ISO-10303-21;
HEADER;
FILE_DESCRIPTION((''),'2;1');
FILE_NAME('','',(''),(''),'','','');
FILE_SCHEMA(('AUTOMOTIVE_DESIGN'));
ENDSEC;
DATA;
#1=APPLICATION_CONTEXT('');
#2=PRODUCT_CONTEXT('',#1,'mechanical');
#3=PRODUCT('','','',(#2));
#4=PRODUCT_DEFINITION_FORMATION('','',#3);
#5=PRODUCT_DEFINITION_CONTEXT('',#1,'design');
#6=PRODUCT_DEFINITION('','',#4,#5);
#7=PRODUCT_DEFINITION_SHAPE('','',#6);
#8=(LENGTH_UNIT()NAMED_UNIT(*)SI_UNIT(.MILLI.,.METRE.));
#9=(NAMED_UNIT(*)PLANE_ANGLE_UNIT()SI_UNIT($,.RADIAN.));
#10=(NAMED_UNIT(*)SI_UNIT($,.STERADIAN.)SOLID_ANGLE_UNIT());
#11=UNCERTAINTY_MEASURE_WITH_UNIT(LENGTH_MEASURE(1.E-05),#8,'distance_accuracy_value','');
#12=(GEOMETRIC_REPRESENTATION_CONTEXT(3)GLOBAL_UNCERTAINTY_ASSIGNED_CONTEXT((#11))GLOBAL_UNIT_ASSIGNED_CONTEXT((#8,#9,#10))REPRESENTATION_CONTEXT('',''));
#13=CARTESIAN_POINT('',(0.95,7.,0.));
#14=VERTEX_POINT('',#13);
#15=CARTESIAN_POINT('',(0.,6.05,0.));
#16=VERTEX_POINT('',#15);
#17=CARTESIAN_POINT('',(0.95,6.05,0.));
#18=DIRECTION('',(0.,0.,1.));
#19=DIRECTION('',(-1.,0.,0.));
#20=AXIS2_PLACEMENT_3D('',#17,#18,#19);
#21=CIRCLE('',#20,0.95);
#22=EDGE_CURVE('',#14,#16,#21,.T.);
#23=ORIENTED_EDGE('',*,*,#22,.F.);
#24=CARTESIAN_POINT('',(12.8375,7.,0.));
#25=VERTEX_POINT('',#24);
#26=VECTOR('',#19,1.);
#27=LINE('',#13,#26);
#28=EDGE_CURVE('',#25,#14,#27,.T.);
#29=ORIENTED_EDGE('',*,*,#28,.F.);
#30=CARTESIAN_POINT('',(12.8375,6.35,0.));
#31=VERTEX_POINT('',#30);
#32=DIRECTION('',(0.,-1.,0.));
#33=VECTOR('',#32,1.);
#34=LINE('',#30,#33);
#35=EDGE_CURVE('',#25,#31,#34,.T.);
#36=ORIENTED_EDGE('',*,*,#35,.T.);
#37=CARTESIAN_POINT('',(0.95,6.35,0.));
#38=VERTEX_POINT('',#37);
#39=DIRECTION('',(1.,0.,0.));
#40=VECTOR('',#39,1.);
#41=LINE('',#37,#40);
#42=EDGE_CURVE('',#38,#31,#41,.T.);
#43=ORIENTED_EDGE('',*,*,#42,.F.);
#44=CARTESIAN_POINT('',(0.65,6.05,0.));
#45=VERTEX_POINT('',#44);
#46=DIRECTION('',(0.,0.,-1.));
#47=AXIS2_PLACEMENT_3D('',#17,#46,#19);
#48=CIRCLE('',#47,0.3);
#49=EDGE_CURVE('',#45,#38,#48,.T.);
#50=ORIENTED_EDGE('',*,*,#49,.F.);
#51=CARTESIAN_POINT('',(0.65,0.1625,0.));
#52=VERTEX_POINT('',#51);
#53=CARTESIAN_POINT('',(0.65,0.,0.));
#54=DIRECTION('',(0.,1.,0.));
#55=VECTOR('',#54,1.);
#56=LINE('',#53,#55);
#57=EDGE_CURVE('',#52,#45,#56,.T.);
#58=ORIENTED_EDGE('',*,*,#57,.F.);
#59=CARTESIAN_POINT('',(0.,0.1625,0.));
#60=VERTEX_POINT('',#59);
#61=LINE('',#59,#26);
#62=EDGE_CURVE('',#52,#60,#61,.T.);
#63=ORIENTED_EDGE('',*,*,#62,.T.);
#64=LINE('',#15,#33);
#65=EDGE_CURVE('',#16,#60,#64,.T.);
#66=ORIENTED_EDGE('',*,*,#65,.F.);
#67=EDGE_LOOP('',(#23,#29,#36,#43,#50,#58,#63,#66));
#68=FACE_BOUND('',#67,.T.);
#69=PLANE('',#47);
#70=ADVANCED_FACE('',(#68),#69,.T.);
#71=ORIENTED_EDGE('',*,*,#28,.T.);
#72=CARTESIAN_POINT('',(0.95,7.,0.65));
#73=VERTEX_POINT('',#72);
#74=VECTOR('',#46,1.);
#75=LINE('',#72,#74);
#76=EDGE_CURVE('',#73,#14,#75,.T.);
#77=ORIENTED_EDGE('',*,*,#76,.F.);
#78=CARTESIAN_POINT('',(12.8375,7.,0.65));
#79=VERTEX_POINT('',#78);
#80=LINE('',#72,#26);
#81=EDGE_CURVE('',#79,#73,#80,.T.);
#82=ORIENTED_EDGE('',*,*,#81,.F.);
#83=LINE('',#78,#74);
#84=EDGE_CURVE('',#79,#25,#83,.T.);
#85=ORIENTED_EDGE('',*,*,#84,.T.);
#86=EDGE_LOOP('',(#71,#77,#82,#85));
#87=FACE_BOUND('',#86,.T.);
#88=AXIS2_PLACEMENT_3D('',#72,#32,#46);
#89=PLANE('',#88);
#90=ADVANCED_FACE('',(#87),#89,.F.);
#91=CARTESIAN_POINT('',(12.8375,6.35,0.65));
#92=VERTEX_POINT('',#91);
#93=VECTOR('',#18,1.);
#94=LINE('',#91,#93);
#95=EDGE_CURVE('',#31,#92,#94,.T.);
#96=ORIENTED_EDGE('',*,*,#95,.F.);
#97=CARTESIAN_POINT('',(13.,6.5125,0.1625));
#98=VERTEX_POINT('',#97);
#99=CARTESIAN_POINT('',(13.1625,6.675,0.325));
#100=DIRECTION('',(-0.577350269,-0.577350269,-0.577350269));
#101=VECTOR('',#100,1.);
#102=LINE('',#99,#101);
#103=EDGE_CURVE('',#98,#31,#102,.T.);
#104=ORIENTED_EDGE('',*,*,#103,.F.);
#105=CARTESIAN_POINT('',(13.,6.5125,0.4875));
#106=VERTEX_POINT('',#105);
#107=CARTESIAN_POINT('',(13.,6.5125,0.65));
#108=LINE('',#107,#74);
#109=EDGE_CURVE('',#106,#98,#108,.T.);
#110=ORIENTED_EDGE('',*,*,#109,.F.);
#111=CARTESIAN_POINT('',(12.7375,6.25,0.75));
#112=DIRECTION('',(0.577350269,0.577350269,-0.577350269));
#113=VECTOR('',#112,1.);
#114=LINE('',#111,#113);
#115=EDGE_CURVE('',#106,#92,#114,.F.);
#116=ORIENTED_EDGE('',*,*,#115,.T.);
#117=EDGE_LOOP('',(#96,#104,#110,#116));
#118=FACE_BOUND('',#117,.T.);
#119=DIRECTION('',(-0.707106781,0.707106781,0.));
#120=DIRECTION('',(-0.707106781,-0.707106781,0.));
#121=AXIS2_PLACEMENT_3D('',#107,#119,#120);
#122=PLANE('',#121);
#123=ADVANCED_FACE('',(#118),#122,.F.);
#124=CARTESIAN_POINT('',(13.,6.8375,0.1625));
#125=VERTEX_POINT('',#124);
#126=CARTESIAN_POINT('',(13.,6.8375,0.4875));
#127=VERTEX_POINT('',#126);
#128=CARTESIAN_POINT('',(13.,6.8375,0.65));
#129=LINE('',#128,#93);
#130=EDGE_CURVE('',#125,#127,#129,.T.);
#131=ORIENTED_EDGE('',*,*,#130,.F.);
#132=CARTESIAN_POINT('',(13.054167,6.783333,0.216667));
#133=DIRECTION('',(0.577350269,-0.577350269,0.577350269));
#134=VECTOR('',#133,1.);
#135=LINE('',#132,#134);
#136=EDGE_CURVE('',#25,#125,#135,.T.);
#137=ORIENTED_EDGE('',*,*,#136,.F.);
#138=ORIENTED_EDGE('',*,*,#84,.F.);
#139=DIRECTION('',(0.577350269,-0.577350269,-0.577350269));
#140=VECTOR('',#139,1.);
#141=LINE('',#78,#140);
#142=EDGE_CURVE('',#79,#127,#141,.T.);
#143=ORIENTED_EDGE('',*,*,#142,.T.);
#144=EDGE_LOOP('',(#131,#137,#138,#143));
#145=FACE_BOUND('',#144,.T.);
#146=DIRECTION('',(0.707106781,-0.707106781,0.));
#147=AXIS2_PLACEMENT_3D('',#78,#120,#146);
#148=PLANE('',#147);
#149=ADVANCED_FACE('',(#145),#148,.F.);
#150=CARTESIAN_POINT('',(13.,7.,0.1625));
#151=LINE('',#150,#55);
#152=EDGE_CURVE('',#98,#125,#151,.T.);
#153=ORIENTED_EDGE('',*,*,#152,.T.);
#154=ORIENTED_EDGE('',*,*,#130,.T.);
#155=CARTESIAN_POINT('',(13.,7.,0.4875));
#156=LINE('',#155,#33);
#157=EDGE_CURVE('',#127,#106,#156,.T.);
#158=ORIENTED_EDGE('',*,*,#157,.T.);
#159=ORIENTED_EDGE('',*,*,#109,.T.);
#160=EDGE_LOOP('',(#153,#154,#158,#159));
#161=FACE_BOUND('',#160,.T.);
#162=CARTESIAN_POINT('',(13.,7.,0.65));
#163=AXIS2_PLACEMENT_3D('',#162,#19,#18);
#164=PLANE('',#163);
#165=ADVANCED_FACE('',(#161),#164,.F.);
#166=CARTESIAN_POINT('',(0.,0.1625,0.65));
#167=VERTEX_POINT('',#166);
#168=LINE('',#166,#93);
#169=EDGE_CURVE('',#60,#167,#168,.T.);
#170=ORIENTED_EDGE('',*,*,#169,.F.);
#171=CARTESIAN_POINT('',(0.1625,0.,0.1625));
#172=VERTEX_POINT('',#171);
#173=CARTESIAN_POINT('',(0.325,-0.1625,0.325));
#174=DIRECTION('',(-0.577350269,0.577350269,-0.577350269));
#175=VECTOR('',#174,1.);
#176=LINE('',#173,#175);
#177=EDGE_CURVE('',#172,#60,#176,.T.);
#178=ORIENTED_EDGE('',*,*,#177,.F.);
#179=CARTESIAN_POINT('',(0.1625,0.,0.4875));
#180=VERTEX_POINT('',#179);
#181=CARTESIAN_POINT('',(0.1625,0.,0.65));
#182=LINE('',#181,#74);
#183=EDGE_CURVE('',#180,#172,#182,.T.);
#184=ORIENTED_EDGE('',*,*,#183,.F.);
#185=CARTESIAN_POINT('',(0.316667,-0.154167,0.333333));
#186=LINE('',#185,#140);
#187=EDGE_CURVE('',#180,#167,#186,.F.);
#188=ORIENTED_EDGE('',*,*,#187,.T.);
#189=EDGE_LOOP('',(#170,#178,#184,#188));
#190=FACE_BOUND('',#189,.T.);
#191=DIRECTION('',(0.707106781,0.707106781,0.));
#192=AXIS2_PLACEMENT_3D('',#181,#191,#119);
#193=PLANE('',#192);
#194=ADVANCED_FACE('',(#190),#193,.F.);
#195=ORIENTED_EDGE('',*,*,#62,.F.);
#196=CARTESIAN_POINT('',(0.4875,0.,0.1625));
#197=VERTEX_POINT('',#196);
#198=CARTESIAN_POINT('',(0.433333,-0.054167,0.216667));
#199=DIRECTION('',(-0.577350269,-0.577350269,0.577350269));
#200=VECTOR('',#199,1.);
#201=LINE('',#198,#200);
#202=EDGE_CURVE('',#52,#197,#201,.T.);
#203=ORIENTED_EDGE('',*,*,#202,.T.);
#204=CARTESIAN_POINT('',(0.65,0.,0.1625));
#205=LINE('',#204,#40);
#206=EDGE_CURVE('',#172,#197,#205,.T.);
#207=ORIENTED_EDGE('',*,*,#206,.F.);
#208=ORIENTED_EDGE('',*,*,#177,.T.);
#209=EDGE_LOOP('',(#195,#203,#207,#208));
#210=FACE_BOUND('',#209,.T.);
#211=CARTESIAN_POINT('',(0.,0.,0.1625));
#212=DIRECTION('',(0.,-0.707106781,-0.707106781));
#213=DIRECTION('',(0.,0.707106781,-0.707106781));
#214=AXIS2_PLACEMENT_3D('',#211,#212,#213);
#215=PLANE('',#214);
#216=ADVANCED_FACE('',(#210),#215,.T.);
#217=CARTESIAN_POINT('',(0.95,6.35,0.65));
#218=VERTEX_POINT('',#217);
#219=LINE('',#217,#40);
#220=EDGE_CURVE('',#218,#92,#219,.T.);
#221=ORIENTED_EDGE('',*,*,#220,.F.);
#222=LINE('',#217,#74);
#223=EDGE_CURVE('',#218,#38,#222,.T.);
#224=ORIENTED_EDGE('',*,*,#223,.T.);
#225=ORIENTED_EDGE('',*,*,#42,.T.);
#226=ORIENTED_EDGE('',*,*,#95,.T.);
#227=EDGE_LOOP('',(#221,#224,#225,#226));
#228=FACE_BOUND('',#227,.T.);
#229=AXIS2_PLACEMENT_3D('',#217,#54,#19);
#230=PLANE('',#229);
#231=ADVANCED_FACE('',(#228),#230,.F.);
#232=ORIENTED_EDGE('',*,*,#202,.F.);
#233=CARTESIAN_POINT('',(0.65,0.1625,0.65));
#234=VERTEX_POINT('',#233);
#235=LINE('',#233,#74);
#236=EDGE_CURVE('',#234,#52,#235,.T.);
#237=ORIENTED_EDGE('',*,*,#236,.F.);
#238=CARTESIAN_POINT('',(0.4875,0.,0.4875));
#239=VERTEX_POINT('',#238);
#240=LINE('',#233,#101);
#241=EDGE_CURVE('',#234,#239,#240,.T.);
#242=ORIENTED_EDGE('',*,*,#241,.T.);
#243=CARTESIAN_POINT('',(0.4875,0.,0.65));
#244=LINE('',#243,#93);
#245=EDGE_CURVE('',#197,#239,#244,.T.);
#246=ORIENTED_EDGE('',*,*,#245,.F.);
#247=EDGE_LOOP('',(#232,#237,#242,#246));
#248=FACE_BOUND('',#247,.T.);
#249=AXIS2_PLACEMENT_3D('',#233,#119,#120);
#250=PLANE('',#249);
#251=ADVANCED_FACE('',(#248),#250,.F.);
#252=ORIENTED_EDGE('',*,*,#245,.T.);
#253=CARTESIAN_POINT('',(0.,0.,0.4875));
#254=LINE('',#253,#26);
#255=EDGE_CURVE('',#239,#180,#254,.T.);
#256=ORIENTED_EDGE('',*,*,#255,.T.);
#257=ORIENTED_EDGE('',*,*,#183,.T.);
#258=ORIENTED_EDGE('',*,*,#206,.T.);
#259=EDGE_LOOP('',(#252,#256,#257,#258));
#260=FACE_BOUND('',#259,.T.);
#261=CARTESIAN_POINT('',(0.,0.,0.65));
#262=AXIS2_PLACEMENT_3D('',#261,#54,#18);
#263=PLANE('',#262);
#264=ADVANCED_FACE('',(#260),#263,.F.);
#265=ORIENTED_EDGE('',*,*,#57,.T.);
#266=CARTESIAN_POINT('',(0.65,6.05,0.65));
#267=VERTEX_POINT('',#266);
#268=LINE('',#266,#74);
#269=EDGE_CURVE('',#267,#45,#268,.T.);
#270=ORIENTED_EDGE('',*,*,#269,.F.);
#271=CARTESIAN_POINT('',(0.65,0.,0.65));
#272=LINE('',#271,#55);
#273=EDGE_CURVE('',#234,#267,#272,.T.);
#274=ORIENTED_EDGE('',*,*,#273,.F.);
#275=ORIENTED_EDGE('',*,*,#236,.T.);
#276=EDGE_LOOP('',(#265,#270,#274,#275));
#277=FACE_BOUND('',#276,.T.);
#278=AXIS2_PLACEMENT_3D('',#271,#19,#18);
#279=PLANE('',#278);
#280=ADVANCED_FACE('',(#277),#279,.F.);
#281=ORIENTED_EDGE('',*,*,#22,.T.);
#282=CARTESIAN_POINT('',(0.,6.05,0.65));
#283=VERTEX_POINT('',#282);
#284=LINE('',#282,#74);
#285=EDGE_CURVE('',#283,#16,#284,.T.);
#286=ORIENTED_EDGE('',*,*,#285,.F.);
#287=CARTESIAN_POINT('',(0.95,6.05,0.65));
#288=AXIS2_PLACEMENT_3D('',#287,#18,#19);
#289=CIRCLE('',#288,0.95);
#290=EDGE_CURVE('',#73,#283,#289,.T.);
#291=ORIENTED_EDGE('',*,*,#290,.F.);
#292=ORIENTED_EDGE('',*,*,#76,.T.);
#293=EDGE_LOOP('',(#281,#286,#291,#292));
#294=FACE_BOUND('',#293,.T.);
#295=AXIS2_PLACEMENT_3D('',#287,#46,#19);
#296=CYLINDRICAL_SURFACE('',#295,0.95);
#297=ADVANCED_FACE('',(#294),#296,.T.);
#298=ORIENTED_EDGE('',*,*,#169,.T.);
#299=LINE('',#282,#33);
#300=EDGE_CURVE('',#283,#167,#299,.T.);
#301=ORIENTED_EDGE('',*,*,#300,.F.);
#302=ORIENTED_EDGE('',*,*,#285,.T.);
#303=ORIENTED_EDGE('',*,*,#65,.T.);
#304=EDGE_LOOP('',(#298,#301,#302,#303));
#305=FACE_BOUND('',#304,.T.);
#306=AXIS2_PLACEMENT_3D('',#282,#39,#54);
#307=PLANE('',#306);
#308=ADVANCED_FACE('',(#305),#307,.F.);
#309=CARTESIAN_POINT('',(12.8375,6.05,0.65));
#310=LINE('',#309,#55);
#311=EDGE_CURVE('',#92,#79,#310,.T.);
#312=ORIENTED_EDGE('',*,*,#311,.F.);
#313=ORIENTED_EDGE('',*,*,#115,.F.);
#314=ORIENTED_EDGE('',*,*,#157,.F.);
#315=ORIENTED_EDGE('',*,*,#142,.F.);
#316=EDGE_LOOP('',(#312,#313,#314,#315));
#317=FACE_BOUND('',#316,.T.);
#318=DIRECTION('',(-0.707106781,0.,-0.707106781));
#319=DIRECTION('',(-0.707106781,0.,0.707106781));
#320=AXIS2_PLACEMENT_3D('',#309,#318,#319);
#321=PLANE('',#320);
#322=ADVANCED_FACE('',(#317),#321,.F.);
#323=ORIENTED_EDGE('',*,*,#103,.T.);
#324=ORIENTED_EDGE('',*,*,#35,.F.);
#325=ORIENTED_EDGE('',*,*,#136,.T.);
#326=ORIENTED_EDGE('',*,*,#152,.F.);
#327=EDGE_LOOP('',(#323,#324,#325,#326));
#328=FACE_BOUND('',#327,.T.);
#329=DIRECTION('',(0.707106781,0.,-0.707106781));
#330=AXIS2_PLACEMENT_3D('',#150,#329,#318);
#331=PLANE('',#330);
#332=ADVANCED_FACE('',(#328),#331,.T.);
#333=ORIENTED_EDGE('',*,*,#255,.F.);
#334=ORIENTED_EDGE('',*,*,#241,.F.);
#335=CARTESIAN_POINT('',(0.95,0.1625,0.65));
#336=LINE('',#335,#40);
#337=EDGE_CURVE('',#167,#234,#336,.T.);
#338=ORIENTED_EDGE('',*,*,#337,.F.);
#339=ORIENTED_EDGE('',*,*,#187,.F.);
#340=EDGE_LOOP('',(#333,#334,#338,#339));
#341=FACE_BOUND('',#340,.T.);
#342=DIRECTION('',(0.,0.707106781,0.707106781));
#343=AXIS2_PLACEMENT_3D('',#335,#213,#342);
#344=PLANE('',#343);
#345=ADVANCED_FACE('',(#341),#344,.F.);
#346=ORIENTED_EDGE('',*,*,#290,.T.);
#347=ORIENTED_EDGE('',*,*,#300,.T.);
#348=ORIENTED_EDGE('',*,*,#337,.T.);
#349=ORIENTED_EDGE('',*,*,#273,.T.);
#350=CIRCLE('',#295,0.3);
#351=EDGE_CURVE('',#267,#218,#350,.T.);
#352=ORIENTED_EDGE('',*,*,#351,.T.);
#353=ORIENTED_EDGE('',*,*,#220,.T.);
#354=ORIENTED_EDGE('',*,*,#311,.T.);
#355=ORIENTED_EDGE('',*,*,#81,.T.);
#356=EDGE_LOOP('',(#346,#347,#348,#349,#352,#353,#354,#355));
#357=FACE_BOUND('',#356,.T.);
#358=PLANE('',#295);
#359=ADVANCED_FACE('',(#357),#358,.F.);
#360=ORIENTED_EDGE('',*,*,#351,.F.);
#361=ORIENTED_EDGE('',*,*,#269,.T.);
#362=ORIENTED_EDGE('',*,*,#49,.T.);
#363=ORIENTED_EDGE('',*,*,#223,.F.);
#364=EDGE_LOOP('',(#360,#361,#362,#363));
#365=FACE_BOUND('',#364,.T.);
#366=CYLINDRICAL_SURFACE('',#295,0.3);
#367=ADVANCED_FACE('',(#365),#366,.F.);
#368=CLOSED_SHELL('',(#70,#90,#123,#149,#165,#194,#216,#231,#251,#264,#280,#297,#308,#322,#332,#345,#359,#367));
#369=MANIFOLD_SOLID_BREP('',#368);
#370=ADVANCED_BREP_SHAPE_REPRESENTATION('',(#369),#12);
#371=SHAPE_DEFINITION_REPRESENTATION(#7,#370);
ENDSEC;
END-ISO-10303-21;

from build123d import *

# Parameters (mm, degrees)
BODY_DEPTH     = 0.65
CHAMFER_2_SIZE = 0.1625


with BuildPart() as part:
    # Sketch1 → Body (new body)
    with BuildSketch(Plane.XY):
        with BuildLine():
            Line((0.95, 7), (13, 7))
            Line((13, 7), (13, 6.35))
            Line((13, 6.35), (0.95, 6.35))
            ThreePointArc((0.95, 6.35), (0.737867966, 6.262132034), (0.65, 6.05))
            Line((0.65, 6.05), (0.65, 0))
            Line((0.65, 0), (0, 0))
            Line((0, 0), (0, 6.05))
            ThreePointArc((0, 6.05), (0.278248558, 6.721751442), (0.95, 7))
        make_face()
    extrude(amount=BODY_DEPTH)

    # Chamfer 2
    chamfer_2_edges = [part.edges().sort_by_distance(p)[0] for p in [
        (13, 7, 0.325),
        (13, 6.35, 0.325),
        (13, 6.675, 0),
        (13, 6.675, 0.65),
        (0.65, 0, 0.325),
        (0, 0, 0.325),
        (0.325, 0, 0),
        (0.325, 0, 0.65),
    ]]
    chamfer(chamfer_2_edges, length=CHAMFER_2_SIZE)


solid = part.part
